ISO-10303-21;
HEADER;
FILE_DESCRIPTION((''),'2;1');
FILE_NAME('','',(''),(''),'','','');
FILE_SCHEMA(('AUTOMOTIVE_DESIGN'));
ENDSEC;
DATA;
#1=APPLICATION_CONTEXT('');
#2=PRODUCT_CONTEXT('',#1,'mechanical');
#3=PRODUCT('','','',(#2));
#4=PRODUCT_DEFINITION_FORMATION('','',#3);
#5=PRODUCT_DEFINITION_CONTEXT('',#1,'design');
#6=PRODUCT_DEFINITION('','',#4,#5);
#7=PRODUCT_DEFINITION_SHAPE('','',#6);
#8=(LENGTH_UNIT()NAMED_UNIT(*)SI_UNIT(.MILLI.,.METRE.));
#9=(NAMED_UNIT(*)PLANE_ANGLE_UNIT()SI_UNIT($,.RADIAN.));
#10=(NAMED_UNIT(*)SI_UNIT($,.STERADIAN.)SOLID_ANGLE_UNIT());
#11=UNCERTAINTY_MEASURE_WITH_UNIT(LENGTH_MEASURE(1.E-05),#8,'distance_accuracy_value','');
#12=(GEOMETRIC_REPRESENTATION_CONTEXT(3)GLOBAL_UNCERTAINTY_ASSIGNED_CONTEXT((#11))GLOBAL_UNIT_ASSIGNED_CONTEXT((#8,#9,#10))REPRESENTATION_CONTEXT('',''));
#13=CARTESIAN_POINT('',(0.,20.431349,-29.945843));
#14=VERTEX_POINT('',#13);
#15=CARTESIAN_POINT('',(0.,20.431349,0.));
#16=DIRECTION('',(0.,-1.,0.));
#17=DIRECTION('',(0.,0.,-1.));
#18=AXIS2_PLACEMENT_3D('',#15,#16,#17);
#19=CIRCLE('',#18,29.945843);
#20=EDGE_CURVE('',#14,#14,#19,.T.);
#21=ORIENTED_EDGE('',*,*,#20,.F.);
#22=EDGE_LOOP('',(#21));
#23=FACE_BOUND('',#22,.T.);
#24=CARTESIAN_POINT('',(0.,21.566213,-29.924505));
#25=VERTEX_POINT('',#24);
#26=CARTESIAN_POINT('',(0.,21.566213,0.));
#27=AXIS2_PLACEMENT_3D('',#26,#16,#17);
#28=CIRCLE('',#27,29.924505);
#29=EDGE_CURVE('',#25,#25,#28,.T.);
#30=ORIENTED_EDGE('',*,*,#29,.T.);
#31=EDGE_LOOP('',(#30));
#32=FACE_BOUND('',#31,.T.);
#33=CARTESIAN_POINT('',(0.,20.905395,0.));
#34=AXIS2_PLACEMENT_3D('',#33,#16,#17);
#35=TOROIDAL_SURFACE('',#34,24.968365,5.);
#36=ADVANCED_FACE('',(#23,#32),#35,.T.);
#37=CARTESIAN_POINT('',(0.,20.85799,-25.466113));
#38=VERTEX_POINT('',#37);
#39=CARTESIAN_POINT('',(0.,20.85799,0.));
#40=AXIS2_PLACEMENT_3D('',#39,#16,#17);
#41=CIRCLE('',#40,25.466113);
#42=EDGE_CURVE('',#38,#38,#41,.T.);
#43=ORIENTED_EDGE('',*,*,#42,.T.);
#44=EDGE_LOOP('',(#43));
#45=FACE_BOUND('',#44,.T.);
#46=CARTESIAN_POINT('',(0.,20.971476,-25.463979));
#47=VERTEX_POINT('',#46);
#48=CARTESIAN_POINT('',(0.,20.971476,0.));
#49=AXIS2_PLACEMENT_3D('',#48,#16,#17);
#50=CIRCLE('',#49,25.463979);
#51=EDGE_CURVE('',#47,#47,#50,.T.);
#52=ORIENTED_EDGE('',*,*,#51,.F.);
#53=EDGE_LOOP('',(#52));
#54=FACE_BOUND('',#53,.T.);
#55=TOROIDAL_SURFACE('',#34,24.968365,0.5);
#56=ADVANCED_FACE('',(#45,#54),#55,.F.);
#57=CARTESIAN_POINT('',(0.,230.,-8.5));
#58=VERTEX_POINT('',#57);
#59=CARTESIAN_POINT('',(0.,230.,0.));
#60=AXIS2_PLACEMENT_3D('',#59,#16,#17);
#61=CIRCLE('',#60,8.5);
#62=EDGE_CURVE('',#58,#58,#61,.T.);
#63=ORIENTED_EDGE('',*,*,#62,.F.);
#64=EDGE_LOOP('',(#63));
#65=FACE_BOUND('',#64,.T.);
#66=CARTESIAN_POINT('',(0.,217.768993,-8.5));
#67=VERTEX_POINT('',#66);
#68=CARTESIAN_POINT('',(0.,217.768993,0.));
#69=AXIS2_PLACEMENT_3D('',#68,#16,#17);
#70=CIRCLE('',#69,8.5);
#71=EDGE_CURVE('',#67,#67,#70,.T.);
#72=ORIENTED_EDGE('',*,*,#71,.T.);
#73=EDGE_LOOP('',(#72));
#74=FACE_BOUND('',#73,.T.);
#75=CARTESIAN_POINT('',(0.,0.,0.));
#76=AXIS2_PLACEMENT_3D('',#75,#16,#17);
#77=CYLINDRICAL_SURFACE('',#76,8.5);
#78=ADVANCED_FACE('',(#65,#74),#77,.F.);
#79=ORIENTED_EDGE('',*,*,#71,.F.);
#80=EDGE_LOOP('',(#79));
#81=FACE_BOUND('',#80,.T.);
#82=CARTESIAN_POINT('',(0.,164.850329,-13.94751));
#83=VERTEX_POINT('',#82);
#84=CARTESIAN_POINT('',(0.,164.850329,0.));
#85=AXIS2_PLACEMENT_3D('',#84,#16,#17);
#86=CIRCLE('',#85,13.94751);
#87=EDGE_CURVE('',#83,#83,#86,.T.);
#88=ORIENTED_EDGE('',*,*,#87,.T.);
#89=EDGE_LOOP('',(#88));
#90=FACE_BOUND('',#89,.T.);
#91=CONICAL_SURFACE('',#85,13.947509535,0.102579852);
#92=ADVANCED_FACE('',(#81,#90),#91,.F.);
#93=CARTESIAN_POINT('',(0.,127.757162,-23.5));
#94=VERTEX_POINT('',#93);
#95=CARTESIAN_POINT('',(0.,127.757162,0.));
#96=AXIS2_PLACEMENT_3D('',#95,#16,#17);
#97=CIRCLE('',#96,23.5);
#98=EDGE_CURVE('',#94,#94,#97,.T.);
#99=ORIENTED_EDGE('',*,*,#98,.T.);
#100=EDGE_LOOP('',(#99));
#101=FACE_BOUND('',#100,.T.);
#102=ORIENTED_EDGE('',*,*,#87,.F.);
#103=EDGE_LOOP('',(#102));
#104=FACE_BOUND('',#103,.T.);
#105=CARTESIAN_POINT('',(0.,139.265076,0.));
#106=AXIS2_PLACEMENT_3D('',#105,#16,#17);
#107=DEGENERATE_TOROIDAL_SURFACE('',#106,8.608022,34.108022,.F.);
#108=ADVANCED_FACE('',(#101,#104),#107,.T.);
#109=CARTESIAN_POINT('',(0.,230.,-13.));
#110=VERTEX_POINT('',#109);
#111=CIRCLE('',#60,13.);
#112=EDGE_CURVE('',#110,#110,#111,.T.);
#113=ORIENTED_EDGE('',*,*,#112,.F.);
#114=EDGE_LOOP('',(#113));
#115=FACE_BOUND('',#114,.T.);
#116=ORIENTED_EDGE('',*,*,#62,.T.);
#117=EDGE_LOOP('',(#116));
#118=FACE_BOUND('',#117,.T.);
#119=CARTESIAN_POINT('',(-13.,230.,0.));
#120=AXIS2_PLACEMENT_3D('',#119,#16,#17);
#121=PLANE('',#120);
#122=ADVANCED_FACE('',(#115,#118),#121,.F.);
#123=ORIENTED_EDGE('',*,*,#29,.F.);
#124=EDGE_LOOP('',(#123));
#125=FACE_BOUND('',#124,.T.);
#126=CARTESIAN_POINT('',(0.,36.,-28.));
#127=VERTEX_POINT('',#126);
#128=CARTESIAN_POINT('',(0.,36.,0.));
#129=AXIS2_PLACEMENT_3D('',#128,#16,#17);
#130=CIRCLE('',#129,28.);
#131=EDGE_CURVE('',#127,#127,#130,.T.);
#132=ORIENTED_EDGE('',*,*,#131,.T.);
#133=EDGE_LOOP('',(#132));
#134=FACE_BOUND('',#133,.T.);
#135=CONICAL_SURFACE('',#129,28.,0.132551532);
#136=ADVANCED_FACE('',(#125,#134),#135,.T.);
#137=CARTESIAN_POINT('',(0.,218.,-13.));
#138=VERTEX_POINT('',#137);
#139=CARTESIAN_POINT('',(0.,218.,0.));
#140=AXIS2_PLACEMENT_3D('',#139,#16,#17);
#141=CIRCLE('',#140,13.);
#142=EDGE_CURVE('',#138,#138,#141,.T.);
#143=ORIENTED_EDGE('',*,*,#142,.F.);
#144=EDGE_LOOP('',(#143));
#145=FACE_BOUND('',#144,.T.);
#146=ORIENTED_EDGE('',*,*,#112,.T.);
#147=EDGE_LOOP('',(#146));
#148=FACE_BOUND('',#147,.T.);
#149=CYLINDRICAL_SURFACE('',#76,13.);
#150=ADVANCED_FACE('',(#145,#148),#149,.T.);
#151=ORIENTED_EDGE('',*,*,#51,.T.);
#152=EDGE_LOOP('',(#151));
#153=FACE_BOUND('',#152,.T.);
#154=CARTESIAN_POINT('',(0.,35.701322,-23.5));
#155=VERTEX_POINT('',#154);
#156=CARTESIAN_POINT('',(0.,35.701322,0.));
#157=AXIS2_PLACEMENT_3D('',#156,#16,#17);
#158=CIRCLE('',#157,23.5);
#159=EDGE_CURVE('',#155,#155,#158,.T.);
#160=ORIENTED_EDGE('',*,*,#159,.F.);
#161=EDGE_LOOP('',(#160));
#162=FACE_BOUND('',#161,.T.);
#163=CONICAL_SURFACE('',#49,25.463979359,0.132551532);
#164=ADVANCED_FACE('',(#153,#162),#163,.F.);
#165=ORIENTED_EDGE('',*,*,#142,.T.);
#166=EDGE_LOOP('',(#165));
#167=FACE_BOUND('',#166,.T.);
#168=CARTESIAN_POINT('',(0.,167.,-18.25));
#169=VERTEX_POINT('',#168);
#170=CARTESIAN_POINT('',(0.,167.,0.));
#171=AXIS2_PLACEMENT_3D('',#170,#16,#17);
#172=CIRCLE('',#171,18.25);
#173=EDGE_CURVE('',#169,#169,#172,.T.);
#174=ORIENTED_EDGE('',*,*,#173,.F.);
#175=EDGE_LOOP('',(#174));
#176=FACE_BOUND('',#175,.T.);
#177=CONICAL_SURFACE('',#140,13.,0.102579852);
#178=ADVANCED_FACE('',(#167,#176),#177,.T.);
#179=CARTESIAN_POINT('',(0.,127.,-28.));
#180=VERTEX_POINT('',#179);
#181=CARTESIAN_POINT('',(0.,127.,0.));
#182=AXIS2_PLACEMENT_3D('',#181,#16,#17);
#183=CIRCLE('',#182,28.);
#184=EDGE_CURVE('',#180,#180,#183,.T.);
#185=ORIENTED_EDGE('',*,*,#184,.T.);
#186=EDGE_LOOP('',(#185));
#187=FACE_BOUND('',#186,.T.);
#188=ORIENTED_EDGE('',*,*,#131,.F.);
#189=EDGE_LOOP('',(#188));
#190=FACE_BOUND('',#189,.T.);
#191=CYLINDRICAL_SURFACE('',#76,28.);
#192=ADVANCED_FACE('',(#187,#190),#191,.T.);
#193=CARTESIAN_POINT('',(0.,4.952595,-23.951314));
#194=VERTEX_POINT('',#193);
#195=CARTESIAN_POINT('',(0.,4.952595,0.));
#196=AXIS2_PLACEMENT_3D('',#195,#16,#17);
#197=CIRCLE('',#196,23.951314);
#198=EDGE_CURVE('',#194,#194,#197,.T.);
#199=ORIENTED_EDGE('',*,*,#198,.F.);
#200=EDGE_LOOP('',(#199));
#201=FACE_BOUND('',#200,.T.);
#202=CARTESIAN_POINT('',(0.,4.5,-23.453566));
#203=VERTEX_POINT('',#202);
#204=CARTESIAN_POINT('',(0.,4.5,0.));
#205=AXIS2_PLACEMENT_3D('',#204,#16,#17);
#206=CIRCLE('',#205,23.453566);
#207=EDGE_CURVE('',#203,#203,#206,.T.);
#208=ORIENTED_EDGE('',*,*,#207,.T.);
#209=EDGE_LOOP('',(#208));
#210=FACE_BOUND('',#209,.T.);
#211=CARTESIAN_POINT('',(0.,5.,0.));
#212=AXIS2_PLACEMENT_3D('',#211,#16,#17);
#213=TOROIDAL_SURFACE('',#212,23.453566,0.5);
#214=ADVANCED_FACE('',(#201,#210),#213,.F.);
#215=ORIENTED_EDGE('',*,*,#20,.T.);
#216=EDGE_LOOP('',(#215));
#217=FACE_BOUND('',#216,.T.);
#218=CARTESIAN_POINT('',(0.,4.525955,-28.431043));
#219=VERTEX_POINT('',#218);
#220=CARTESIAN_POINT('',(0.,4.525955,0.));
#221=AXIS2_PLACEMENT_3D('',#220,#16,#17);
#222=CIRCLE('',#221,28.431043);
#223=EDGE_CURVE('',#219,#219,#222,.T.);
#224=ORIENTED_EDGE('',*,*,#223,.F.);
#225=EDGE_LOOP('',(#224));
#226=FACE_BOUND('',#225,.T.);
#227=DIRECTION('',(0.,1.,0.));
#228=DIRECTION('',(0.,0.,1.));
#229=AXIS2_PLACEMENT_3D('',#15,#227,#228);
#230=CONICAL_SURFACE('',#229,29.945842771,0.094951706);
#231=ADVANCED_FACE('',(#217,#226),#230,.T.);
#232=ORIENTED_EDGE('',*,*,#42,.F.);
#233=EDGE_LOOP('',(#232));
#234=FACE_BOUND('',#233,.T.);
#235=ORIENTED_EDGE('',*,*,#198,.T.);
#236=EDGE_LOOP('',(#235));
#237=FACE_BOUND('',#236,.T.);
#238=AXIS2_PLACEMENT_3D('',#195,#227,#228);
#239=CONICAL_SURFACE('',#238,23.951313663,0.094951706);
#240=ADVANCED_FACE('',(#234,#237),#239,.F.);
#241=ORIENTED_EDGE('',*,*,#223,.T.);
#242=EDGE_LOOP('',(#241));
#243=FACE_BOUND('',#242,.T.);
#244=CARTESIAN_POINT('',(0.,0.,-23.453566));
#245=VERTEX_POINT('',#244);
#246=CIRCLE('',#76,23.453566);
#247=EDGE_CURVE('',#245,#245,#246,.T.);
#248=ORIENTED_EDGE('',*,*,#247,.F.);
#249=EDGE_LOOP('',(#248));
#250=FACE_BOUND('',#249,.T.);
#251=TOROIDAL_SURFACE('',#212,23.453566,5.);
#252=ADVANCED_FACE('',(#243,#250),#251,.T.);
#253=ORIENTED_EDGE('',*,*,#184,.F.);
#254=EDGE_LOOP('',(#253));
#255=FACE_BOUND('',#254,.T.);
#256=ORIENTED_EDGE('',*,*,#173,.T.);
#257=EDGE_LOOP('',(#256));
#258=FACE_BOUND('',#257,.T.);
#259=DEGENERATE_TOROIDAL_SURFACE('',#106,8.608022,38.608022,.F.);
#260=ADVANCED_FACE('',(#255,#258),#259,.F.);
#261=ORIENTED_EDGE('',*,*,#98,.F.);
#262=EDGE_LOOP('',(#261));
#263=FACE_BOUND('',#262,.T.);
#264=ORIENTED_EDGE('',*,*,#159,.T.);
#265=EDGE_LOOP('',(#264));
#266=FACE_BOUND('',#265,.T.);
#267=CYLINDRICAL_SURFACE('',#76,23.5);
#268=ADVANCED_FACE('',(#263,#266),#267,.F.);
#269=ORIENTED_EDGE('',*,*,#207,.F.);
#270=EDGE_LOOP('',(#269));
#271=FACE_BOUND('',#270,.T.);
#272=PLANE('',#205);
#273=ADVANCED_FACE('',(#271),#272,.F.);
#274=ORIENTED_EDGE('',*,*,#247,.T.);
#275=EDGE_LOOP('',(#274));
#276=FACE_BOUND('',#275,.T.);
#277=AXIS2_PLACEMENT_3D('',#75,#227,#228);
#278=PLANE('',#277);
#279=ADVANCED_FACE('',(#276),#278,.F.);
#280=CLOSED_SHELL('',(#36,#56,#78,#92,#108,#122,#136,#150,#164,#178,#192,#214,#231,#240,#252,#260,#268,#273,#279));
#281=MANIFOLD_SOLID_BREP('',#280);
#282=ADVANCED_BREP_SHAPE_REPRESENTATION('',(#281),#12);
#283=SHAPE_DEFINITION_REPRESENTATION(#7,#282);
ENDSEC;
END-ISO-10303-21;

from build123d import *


with BuildPart() as part:
    # Schizzo1 → Rivoluzione1 (revolve)
    with BuildSketch(Plane.XY, mode=Mode.PRIVATE) as rivoluzione1_sk:
        with BuildLine():
            Line((0, 0), (-23.453565926, 0))
            ThreePointArc((-23.453565926, 0), (-26.81732667, 1.300660375), (-28.431043289, 4.525954537))
            Line((-28.431043289, 4.525954537), (-29.945842771, 20.431349098))
            ThreePointArc((-29.945842771, 20.431349098), (-29.967481843, 20.999388589), (-29.924504912, 21.566213162))
            Line((-29.924504912, 21.566213162), (-28, 36))
            Line((-28, 36), (-28, 127))
            ThreePointArc((-28, 127), (-28.901772547, 148.408088308), (-18.25, 167))
            Line((-18.25, 167), (-13, 218))
            Line((-13, 218), (-13, 230))
            Line((-13, 230), (-8.5, 230))
            Line((-8.5, 230), (-8.5, 225.5))
            Line((-8.5, 225.5), (-8.5, 217.76899273))
            Line((-8.5, 217.76899273), (-13.947509535, 164.850328678))
            ThreePointArc((-13.947509535, 164.850328678), (-24.422294077, 147.77127274), (-23.5, 127.757161803))
            Line((-23.5, 127.757161803), (-23.5, 35.701321612))
            Line((-23.5, 35.701321612), (-25.463979359, 20.971476422))
            ThreePointArc((-25.463979359, 20.971476422), (-25.468277052, 20.914793964), (-25.466113145, 20.857990015))
            Line((-25.466113145, 20.857990015), (-23.951313663, 4.952595454))
            ThreePointArc((-23.951313663, 4.952595454), (-23.789942001, 4.630066038), (-23.453565926, 4.5))
            Line((-23.453565926, 4.5), (0, 4.5))
            Line((0, 4.5), (0, 0))
        make_face()
    revolve(rivoluzione1_sk.sketch.rotate(Axis((0, 0, 0), (0, 1, 0)), 270), axis=Axis((0, 0, 0), (0, 1, 0)))


solid = part.part
